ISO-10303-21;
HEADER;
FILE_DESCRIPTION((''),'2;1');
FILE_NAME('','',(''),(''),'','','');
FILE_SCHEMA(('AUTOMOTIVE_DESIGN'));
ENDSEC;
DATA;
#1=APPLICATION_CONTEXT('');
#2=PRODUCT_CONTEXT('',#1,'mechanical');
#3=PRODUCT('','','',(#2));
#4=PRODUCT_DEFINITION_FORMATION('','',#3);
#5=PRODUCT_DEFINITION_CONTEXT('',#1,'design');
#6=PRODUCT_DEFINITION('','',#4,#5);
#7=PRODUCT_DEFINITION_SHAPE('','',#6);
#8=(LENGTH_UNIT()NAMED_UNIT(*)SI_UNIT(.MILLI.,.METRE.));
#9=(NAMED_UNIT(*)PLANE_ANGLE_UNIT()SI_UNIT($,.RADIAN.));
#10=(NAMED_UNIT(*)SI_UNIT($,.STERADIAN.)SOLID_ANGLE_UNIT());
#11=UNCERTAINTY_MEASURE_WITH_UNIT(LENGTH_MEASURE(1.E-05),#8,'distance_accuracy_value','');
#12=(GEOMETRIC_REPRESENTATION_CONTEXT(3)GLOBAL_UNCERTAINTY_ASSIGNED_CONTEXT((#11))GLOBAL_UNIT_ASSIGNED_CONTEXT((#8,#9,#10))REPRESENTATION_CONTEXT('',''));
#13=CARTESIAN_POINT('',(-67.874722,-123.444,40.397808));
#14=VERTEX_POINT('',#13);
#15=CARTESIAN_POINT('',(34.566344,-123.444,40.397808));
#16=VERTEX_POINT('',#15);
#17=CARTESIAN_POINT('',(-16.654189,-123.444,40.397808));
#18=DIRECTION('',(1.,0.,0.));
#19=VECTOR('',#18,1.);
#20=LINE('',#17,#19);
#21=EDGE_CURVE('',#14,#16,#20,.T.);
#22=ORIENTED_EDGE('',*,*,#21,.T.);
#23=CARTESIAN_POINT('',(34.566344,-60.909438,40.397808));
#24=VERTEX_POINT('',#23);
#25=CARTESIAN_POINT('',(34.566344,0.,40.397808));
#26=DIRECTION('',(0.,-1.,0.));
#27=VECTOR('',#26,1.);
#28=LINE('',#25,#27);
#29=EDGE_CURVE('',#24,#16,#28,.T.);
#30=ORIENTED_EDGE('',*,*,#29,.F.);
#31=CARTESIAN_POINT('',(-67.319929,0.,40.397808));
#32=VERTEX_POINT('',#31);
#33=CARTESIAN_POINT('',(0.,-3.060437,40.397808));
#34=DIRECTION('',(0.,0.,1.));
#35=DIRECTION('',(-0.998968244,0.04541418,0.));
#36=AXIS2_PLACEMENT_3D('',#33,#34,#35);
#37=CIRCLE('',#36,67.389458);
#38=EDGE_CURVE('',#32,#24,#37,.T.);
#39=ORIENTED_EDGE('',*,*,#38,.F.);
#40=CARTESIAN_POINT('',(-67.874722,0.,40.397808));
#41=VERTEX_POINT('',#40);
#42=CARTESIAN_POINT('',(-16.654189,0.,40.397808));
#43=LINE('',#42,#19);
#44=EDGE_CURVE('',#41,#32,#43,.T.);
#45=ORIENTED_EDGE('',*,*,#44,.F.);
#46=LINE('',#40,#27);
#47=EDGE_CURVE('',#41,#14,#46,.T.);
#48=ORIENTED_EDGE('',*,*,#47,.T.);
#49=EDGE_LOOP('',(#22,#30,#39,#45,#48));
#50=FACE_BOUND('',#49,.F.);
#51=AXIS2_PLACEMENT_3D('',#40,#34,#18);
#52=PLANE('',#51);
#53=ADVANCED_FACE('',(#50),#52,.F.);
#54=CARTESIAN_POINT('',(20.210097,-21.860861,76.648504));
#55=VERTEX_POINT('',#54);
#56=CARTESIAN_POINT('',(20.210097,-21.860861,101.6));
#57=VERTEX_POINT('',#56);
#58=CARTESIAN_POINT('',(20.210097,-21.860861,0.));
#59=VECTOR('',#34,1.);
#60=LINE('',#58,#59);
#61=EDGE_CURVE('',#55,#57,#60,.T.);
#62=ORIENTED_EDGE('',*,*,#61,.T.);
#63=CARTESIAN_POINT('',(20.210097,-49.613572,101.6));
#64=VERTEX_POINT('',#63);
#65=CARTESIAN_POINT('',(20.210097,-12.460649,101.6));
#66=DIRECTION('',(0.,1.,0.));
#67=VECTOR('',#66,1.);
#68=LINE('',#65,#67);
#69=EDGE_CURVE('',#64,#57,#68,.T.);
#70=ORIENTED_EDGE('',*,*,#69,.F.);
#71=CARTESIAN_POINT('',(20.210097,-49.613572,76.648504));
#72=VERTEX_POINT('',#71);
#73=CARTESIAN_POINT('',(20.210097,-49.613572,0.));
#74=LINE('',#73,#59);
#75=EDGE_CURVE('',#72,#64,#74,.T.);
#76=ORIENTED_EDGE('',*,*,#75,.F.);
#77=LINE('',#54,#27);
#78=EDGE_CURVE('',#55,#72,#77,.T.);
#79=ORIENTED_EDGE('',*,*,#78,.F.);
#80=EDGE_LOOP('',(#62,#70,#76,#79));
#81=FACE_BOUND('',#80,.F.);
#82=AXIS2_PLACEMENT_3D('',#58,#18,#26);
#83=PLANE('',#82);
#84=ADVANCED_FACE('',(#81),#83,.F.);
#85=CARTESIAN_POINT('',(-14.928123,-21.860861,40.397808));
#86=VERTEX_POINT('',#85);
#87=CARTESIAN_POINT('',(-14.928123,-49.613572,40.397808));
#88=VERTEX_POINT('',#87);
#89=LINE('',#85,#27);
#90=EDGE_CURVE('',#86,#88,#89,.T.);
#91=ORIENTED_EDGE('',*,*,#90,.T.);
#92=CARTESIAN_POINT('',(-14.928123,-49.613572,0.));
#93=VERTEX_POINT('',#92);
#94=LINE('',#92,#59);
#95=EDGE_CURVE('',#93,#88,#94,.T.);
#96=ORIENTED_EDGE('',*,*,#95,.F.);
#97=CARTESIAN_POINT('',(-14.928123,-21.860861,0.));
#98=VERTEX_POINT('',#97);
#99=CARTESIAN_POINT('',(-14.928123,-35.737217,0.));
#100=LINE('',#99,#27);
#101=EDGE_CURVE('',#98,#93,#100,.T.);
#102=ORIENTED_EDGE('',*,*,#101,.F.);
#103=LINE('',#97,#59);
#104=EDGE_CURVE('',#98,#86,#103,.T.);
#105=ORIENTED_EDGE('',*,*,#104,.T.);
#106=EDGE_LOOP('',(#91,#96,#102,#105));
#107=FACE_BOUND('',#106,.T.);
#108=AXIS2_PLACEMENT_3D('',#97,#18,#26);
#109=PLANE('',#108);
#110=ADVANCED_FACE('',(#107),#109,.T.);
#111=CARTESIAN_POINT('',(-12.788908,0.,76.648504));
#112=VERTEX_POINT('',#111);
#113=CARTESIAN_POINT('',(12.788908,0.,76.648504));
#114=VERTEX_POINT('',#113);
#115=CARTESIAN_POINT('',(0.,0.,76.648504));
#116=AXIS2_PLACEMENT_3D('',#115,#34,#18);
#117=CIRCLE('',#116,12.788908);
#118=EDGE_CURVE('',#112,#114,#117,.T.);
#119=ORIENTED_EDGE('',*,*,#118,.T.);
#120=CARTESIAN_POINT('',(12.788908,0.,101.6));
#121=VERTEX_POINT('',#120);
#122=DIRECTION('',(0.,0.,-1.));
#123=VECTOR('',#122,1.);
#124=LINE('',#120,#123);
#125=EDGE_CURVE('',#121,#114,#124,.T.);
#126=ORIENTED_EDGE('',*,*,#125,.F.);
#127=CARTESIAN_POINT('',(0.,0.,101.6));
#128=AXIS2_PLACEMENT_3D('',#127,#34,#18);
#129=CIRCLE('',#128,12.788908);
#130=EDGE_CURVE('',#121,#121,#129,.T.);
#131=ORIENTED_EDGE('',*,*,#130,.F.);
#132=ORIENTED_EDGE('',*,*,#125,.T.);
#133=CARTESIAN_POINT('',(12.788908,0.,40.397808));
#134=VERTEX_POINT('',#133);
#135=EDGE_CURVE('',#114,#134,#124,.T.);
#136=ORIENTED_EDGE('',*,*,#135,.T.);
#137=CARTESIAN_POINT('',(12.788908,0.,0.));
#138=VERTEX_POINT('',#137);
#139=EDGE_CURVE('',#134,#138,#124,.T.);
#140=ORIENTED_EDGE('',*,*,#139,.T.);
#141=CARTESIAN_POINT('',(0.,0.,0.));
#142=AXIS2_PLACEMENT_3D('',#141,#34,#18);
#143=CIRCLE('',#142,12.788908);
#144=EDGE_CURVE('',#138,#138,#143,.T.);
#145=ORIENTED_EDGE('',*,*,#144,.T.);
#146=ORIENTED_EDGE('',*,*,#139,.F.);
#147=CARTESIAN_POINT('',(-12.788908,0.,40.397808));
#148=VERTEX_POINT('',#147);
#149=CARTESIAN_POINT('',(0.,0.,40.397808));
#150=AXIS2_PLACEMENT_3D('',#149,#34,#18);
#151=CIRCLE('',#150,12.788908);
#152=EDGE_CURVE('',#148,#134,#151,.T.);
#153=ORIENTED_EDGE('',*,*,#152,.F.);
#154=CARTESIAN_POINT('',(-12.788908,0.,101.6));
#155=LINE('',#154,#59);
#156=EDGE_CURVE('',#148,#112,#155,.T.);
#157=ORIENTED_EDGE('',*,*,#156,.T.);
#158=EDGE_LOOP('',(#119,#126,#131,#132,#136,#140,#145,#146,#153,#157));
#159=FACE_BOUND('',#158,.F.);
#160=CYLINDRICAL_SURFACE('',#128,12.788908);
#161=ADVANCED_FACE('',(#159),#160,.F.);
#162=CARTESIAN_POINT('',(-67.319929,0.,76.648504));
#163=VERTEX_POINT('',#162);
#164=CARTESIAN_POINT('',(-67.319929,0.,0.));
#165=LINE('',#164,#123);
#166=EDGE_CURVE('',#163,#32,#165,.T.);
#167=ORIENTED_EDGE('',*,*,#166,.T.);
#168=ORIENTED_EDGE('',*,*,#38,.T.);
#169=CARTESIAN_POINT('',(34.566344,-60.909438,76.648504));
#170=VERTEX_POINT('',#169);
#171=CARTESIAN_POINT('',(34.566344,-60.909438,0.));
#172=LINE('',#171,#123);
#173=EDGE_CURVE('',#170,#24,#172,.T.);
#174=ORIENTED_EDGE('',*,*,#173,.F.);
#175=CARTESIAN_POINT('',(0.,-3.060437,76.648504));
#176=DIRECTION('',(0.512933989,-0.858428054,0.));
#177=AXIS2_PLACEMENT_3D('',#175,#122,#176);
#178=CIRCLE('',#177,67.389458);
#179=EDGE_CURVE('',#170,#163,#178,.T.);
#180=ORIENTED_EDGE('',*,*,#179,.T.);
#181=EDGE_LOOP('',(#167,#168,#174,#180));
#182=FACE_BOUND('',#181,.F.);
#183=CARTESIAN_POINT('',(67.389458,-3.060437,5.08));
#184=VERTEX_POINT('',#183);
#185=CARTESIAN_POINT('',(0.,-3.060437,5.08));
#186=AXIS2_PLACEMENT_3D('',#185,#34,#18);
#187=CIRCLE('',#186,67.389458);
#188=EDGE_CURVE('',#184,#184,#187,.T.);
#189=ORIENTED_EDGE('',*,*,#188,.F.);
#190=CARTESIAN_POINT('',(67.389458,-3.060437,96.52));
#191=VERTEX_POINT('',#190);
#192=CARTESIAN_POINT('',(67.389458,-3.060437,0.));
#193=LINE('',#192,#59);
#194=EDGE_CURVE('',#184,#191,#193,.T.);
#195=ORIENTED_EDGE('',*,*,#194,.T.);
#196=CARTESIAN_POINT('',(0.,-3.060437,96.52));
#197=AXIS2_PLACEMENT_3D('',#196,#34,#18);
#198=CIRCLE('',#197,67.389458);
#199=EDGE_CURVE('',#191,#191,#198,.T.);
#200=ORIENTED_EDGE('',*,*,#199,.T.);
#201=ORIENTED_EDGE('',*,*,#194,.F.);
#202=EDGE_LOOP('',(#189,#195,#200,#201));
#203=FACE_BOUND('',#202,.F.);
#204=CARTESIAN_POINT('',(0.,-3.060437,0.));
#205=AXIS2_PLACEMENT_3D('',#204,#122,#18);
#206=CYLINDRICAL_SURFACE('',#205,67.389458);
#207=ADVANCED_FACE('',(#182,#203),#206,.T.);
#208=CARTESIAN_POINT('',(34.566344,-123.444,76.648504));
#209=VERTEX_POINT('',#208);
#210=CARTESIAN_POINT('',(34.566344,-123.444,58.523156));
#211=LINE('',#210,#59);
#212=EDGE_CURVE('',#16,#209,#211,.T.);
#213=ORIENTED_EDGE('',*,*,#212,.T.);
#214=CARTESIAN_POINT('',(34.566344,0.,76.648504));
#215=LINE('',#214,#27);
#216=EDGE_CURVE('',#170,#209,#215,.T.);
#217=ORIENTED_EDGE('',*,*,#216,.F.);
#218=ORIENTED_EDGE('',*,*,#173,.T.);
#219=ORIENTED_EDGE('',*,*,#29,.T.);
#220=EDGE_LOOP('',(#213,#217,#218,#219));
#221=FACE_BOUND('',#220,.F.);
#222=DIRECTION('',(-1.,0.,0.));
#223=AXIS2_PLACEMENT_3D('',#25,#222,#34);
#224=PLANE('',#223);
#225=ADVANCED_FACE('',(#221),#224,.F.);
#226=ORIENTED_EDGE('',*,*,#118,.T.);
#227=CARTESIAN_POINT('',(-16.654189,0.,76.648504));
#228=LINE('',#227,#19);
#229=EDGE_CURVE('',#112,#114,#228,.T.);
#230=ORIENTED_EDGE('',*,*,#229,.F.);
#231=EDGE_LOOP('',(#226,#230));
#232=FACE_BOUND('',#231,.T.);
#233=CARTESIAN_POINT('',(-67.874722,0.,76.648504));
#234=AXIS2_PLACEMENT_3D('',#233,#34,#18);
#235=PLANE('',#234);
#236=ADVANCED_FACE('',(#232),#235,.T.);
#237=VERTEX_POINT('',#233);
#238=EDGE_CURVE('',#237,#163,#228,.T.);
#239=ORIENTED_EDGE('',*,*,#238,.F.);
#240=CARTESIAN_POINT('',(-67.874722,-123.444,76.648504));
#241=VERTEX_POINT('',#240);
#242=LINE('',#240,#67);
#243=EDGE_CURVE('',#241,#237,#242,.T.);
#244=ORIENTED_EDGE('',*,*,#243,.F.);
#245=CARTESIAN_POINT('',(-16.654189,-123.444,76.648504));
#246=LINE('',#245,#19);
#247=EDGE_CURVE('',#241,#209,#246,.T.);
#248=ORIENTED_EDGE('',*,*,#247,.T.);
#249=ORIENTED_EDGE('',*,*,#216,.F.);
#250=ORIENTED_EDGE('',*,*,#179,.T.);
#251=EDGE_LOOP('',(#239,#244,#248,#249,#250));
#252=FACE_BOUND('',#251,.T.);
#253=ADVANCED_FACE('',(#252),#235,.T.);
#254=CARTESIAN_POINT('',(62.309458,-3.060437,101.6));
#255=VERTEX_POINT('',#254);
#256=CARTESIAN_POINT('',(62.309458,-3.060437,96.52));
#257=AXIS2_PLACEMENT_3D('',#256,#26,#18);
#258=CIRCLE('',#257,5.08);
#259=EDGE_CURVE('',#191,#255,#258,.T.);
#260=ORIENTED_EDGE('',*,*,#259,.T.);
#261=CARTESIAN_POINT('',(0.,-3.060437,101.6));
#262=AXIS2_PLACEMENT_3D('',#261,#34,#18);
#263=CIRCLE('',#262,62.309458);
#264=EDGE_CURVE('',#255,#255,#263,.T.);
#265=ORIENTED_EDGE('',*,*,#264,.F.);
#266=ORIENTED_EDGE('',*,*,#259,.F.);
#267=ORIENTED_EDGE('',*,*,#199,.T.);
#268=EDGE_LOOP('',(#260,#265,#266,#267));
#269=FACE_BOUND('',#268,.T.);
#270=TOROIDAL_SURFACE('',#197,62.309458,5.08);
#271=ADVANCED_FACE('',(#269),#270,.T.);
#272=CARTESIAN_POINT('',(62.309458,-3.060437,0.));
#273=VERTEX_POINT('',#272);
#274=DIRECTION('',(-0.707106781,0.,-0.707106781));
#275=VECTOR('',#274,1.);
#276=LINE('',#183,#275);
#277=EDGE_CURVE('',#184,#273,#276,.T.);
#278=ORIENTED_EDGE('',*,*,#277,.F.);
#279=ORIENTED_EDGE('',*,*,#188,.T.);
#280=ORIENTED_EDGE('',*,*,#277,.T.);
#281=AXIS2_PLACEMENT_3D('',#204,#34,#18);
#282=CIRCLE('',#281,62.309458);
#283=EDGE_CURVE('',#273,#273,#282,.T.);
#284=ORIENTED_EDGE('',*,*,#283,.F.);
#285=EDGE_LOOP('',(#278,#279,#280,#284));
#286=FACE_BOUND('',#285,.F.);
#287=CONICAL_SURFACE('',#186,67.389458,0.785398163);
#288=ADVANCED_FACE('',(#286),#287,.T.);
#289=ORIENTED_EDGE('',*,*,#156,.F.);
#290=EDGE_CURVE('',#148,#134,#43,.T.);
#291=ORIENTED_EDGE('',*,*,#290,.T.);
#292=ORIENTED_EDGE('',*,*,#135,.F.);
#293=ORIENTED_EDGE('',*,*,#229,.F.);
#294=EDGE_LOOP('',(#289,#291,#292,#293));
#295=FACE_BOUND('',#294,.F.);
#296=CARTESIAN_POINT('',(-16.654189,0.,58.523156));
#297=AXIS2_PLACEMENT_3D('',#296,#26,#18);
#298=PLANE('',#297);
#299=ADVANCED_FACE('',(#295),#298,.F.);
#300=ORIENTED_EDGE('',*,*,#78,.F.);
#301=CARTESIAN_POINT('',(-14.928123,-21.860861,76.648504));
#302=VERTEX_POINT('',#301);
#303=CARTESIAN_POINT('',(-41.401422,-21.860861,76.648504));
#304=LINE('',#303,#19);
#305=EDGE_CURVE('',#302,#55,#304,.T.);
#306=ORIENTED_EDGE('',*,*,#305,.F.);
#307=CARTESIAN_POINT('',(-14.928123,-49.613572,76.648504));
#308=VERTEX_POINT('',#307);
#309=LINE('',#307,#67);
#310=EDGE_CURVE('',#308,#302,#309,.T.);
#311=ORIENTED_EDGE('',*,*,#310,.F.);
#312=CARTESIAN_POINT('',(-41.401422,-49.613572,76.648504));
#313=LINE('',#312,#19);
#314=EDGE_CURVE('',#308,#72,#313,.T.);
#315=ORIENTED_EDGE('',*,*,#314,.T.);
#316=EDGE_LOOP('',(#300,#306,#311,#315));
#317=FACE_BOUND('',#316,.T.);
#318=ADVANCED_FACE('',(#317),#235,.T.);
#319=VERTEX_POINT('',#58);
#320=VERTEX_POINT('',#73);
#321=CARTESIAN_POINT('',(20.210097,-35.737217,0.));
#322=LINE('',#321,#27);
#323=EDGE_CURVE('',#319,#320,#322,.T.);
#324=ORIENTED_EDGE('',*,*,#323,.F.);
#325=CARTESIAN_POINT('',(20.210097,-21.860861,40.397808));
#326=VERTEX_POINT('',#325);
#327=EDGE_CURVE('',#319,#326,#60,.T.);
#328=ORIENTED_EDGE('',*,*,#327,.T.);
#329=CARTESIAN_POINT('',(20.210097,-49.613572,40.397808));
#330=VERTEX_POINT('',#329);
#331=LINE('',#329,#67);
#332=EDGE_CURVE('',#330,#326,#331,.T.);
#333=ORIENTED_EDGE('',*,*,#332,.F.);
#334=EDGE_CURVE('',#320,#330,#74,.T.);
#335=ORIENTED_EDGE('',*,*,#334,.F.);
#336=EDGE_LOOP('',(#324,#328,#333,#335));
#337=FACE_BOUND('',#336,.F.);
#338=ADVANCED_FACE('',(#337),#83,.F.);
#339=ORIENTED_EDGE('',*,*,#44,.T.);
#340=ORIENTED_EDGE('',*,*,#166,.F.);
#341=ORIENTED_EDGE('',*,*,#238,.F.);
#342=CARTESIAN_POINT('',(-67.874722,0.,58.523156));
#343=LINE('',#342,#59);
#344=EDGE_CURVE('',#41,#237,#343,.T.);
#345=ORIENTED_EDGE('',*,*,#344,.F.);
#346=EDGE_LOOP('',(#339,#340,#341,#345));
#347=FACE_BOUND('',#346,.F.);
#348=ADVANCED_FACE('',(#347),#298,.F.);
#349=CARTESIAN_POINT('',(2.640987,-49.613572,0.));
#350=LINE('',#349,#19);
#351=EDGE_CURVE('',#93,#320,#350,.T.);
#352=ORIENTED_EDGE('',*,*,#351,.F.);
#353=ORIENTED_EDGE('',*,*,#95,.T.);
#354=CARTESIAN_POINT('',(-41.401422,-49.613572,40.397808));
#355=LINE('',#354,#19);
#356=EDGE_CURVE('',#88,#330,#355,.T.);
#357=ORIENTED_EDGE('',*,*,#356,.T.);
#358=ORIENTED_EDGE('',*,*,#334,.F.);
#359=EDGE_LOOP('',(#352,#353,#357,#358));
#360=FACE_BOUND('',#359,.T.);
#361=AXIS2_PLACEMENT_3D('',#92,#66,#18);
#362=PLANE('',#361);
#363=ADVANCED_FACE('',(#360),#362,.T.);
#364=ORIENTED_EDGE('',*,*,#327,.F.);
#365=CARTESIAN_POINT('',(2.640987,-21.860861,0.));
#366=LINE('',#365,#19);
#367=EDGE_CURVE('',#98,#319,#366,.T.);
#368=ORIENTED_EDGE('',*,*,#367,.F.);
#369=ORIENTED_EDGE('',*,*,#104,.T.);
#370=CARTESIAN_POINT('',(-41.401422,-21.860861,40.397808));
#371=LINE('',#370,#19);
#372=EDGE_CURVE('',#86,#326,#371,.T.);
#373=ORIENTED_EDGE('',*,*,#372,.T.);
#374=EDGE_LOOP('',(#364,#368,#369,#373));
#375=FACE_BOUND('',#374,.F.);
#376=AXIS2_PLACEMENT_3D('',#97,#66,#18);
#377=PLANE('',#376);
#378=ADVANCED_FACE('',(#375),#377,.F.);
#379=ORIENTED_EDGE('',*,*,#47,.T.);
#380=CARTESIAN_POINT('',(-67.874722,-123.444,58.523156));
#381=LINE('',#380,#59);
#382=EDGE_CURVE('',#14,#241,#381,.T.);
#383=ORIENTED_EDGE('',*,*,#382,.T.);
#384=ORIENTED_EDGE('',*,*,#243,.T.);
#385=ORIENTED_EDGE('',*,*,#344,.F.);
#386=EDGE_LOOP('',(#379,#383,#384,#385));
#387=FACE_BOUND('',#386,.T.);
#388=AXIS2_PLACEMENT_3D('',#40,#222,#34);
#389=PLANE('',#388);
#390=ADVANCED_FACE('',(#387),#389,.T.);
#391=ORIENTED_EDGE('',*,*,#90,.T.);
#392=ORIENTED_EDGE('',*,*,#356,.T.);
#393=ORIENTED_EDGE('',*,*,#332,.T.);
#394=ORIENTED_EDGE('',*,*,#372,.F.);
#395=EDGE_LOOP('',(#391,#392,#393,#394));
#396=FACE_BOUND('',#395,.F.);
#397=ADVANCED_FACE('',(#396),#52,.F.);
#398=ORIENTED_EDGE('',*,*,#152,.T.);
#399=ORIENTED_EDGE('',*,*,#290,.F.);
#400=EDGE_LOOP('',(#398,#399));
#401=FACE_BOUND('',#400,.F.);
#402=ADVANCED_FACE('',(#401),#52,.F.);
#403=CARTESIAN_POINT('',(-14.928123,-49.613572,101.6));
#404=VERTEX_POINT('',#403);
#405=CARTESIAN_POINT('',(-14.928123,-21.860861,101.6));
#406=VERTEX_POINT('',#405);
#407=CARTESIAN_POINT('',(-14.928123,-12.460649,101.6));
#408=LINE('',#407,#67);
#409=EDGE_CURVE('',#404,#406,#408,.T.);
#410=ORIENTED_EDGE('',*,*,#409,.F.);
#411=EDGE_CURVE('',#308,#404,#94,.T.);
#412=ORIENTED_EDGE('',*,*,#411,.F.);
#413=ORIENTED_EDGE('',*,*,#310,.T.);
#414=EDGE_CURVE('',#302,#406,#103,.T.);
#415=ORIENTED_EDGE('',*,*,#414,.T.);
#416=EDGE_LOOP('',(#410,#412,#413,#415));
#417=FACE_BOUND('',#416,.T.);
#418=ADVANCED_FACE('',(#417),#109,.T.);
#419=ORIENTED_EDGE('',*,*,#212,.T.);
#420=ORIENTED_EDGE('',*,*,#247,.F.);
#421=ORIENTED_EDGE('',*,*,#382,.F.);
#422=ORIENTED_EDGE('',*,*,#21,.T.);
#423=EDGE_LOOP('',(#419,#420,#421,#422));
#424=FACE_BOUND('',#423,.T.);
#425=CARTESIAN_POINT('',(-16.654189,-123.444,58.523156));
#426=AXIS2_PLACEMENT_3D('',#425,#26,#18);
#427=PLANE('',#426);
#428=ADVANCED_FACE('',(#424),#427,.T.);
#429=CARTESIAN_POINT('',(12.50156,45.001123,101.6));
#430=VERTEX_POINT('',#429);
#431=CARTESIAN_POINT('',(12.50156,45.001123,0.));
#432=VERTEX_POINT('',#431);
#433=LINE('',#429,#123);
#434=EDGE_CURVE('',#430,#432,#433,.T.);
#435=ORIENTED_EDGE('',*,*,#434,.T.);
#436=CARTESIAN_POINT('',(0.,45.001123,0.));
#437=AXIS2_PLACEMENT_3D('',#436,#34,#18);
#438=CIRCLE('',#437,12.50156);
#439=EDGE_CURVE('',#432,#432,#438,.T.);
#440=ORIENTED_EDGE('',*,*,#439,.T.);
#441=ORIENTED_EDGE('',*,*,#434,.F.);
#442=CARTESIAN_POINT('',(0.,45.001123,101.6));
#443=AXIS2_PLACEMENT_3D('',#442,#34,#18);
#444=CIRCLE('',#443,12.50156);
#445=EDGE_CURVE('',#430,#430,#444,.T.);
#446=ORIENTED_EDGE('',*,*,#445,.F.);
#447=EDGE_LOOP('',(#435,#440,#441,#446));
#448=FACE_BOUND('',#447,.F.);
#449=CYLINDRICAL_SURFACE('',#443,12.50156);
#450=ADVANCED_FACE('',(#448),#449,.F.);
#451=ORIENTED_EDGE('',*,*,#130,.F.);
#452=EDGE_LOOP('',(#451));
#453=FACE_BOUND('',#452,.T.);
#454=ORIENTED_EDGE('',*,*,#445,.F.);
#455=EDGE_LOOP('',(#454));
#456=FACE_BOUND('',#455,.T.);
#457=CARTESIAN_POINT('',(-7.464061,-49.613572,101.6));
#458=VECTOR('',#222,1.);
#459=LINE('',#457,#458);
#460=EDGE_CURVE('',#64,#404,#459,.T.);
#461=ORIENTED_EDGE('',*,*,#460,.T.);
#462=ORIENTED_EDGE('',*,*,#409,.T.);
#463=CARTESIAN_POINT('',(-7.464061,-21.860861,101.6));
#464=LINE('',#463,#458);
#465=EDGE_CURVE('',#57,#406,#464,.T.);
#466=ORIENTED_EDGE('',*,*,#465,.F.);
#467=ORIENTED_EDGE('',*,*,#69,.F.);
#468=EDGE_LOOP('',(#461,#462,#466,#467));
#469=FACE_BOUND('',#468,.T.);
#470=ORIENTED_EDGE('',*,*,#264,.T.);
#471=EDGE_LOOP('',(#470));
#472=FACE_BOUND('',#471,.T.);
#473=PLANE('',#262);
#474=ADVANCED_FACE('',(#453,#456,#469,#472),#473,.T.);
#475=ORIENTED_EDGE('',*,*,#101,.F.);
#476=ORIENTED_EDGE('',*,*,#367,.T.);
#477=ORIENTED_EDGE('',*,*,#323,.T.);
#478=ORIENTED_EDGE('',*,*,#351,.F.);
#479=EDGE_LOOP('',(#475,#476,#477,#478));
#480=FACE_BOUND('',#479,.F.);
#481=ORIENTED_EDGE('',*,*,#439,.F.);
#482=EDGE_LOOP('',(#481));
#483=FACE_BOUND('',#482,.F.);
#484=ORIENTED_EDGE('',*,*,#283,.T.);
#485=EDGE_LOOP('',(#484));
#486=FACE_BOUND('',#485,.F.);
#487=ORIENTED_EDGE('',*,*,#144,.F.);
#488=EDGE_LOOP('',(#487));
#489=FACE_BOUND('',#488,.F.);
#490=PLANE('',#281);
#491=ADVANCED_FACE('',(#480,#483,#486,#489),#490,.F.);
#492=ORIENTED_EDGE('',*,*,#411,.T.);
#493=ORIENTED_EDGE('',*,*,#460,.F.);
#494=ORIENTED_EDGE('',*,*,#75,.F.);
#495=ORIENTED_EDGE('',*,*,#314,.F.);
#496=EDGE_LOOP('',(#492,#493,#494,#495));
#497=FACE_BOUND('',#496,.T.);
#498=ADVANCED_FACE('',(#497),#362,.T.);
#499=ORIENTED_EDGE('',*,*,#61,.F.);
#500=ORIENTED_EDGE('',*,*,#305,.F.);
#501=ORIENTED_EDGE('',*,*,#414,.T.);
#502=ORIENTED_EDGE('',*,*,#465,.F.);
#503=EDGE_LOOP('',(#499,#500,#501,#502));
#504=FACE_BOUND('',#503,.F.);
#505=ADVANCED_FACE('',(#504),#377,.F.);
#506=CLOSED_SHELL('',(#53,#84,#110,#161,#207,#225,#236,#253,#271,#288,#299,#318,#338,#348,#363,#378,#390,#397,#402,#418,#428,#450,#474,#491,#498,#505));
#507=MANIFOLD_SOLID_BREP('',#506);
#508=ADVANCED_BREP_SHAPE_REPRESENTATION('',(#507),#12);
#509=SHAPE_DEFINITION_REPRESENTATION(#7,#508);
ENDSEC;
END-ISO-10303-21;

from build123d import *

# Parameters (mm, degrees)
F0_R      = 67.389458
F1_DEPTH  = 101.6
F2_R      = 12.788908
F3_DEPTH  = 161.798
F4_R      = 12.50156
F5_DEPTH  = 121.666
F6_R      = 5.08
F7_SIZE   = 5.08
F8_W      = 35.13822
F8_H      = 27.752711
F9_DEPTH  = 223.266
F10_W     = 102.441065
F10_H     = 36.250696
F11_DEPTH = 25.4
F12_DEPTH = 123.444


with BuildPart() as f1:
    # F0 (on Top) → F1 (new body)
    with BuildSketch(Plane.XY):
        with Locations((0, -3.060437)):
            Circle(F0_R)
    extrude(amount=F1_DEPTH)

    # F2 (on face) → F3 (cut)
    with BuildSketch(Plane.XY.offset(101.6)):
        Circle(F2_R)
    extrude(amount=-F3_DEPTH, mode=Mode.SUBTRACT)

    # F4 (on face) → F5 (cut)
    with BuildSketch(Plane.XY.offset(101.6)):
        with Locations((0, 45.001123)):
            Circle(F4_R)
    extrude(amount=-F5_DEPTH, mode=Mode.SUBTRACT)

    # F6
    f6_edges = [f1.edges().sort_by_distance(p)[0] for p in [
        (-67.389458, -3.060437, 101.6),
    ]]
    fillet(f6_edges, radius=F6_R)

    # F7
    f7_edges = [f1.edges().sort_by_distance(p)[0] for p in [
        (-67.389458, -3.060437, 0),
    ]]
    chamfer(f7_edges, length=F7_SIZE)

    # F8 (on face) → F9 (cut)
    with BuildSketch(Plane(origin=(0, 0, 0), x_dir=(1, 0, 0), z_dir=(0, 0, -1))):
        with Locations((2.640987, 35.737217)):
            Rectangle(F8_W, F8_H)
    extrude(amount=-F9_DEPTH, mode=Mode.SUBTRACT)

    # F10 (on Front) → F11 (join)
    with BuildSketch(Plane.XZ):
        with Locations((-16.654189, 58.523156)):
            Rectangle(F10_W, F10_H)
    extrude(amount=F11_DEPTH)

    # F10 (on Front) → F12 (join)
    with BuildSketch(Plane.XZ):
        with Locations((-16.654189, 58.523156)):
            Rectangle(F10_W, F10_H)
    extrude(amount=F12_DEPTH)


solid = f1.part
